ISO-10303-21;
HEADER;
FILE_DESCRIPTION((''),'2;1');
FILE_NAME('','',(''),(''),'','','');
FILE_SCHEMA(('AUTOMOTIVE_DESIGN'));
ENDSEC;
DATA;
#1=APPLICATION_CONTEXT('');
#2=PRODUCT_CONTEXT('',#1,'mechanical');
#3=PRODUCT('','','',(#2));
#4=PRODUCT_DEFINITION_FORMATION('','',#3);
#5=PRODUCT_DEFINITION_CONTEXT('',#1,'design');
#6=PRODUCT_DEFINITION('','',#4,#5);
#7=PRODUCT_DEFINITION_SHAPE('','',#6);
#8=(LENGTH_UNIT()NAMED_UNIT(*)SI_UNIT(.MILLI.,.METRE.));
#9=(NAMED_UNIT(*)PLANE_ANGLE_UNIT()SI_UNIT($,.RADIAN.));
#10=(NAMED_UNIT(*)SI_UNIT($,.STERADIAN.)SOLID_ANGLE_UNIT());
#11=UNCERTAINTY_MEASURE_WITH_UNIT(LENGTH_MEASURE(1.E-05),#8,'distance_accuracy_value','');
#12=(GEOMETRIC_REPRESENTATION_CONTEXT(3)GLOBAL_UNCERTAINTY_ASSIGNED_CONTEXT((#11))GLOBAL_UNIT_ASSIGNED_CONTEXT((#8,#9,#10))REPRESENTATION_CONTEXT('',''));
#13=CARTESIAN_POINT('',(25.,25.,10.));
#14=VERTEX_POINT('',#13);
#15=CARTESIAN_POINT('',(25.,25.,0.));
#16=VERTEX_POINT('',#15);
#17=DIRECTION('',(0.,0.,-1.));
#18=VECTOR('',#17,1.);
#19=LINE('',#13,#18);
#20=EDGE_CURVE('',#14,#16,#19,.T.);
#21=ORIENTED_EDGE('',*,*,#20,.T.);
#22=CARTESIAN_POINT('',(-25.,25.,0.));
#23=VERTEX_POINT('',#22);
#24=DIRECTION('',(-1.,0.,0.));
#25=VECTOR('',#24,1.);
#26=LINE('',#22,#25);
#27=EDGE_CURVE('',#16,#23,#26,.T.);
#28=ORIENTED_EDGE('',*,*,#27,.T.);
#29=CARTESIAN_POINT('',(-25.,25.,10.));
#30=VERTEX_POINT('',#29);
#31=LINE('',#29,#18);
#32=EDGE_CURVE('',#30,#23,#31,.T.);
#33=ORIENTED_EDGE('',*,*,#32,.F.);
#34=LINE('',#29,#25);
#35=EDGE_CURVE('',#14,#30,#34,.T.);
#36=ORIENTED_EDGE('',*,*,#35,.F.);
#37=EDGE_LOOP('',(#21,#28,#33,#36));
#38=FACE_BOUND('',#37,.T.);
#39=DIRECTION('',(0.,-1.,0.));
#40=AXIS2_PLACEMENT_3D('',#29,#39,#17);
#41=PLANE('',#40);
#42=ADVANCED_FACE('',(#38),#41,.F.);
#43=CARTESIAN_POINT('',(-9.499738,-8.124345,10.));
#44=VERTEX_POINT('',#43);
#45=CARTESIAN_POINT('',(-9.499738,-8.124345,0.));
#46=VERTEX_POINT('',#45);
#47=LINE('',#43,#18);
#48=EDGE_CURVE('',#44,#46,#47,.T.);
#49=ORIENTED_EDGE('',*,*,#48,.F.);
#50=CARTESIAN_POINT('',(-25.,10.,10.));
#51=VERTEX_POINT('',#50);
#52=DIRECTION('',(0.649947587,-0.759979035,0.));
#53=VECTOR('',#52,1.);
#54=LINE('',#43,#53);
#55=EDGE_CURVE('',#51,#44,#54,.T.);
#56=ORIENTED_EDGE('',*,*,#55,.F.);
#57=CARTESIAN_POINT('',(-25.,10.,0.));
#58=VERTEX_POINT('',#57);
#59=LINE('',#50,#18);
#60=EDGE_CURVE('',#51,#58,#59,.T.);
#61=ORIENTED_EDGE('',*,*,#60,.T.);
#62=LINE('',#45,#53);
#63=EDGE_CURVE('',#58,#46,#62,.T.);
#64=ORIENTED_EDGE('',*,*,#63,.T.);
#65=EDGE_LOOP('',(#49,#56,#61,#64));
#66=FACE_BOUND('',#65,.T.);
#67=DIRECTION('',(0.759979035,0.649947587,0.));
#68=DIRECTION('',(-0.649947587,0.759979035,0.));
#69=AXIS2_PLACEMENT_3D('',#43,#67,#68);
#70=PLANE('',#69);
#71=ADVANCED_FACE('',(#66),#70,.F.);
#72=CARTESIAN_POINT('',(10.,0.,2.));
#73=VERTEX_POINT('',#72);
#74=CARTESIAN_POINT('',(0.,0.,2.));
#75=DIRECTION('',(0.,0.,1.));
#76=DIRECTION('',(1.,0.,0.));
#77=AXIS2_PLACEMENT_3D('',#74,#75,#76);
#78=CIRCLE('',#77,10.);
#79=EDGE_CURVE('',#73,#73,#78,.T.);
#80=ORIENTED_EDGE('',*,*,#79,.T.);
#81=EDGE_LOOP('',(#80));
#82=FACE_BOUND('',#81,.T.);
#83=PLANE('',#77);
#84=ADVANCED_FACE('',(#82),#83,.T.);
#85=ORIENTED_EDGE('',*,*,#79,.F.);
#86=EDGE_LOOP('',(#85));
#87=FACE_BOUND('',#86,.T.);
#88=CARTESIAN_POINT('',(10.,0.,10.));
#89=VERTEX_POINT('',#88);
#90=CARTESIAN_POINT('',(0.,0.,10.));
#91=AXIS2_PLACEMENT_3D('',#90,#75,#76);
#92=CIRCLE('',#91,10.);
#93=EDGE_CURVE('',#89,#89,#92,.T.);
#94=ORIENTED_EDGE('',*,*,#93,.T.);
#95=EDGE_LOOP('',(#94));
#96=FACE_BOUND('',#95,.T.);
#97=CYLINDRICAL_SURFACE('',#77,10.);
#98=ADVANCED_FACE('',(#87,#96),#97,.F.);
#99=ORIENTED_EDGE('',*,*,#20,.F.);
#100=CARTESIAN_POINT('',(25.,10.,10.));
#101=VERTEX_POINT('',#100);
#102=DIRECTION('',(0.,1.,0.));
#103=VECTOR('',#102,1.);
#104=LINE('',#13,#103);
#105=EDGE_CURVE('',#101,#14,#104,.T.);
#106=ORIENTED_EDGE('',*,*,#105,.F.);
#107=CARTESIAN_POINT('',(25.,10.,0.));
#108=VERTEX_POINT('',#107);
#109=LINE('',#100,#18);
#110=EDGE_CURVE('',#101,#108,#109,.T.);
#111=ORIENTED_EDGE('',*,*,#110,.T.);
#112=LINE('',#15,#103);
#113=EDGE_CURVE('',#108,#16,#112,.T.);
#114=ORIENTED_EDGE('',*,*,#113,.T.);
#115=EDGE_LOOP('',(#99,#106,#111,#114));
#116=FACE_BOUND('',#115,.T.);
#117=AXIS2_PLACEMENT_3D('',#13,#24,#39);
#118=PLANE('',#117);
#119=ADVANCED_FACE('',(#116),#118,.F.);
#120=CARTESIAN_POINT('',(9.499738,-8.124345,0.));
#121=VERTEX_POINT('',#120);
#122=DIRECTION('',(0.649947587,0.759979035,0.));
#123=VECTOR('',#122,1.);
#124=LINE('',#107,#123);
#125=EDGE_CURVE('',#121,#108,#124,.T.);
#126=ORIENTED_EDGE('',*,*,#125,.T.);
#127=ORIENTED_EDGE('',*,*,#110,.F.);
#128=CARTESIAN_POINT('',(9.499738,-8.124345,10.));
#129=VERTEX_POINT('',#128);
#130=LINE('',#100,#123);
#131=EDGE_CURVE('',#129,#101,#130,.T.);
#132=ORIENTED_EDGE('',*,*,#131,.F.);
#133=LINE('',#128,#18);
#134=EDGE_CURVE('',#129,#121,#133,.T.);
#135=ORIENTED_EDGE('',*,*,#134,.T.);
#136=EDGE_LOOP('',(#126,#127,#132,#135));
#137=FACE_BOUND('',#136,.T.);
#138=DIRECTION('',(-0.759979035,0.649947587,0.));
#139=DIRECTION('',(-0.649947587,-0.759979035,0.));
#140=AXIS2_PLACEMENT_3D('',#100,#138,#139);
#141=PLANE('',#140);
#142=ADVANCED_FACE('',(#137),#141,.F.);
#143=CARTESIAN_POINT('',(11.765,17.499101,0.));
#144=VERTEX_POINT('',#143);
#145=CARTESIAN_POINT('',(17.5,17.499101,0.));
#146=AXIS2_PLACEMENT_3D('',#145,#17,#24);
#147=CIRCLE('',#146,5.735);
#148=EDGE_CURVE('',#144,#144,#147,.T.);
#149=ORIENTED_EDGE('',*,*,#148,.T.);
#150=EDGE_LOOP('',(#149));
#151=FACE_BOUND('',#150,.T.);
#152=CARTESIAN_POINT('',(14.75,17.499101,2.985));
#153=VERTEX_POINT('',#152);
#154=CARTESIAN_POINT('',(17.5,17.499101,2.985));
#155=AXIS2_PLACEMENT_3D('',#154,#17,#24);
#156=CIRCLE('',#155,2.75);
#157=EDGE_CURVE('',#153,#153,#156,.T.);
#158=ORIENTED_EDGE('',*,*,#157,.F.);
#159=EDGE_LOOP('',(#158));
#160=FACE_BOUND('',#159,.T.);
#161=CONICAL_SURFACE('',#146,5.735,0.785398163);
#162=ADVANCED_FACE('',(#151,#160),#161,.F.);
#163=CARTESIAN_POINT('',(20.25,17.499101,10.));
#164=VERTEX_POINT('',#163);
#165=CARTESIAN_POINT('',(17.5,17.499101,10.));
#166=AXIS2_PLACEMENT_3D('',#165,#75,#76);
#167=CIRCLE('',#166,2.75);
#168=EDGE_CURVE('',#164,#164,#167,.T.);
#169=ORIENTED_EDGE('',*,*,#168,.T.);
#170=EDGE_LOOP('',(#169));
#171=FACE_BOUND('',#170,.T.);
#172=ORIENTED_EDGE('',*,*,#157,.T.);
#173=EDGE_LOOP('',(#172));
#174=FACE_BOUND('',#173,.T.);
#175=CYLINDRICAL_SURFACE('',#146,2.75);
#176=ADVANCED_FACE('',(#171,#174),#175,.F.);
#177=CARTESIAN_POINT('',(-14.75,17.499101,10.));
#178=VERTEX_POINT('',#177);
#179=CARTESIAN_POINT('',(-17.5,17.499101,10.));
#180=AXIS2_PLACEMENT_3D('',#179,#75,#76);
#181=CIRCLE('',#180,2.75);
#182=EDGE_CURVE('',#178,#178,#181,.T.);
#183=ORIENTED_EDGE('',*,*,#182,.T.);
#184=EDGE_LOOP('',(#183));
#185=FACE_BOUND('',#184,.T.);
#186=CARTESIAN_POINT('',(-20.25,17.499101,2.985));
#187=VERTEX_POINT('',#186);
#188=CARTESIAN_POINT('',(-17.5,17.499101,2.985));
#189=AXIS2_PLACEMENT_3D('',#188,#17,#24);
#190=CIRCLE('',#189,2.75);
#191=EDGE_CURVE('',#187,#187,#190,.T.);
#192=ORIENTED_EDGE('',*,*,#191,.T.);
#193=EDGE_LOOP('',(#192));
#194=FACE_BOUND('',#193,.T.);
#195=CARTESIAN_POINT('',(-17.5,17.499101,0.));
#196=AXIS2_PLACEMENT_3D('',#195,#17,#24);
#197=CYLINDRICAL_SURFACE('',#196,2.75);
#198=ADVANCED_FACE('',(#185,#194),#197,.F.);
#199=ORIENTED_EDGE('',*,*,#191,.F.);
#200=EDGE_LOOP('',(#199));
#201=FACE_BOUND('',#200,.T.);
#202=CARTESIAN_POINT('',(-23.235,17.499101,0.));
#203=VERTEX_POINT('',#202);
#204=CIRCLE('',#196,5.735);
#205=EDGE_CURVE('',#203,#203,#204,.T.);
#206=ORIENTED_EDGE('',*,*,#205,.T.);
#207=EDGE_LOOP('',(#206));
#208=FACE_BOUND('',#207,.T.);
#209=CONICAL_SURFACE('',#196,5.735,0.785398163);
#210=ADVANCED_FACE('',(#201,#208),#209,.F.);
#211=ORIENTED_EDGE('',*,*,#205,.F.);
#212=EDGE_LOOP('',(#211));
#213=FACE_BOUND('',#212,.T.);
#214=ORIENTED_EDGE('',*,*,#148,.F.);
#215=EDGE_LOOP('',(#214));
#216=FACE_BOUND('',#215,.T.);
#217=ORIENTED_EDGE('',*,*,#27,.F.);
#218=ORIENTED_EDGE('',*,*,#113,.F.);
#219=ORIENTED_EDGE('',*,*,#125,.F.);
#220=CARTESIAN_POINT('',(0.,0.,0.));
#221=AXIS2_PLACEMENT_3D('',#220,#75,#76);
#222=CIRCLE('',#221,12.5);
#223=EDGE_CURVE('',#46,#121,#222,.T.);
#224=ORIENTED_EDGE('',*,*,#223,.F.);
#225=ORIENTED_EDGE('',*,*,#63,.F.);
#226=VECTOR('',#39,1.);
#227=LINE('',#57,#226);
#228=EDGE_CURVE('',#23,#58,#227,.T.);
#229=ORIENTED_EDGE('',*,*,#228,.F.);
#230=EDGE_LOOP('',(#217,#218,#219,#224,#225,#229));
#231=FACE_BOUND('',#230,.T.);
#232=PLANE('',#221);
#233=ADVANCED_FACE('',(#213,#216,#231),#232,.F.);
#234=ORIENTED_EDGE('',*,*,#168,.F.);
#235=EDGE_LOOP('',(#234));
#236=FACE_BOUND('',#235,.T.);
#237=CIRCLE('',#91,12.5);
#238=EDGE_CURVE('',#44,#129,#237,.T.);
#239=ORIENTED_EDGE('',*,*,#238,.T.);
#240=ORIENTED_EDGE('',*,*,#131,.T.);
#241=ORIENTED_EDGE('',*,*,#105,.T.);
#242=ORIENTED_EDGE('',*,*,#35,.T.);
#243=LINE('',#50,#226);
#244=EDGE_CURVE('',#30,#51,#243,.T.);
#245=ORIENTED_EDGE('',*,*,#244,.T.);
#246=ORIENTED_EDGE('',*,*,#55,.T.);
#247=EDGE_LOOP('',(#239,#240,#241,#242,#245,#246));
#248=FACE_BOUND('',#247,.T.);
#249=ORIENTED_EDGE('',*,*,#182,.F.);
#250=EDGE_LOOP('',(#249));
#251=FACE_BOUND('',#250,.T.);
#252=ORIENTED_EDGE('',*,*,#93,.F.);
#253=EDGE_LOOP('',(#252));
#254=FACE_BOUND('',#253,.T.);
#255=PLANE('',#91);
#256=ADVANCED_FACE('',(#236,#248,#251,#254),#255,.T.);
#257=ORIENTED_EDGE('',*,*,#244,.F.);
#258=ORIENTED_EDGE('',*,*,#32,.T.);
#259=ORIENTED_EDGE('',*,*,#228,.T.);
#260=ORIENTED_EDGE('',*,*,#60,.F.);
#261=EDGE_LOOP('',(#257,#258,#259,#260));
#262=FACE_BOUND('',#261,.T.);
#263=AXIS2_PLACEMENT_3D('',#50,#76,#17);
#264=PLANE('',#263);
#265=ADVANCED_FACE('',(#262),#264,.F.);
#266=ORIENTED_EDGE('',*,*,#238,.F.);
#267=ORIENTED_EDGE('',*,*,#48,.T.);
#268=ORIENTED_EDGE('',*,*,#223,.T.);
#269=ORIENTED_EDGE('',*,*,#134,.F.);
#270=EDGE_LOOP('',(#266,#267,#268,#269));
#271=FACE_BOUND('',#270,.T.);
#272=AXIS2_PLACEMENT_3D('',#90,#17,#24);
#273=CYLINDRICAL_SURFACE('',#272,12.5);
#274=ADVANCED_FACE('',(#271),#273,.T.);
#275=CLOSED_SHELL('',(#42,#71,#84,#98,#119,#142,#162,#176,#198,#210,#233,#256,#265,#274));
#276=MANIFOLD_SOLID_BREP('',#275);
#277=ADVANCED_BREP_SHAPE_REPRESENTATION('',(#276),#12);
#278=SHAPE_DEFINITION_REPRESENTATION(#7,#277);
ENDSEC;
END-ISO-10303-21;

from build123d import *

# Parameters (mm, degrees)
AUFSATZ_LINEAR_AUSTRAGEN1_DEPTH                      = 10
SKIZZE2_R                                            = 10
SCHNITT_LINEAR_AUSTRAGEN1_DEPTH                      = 8
FORMSENKUNG_F_R_M5_SENKSCHRAUBE_MIT_INNE_D           = 5.5
FORMSENKUNG_F_R_M5_SENKSCHRAUBE_MIT_INNE_DEPTH       = 10
FORMSENKUNG_F_R_M5_SENKSCHRAUBE_MIT_INNE_CSINK_D     = 11.47
FORMSENKUNG_F_R_M5_SENKSCHRAUBE_MIT_INNE_CSINK_ANGLE = 90


with BuildPart() as part:
    # Skizze1 → Aufsatz-Linear austragen1 (new body)
    with BuildSketch(Plane.XY):
        with BuildLine():
            Line((-9.499737937, -8.124344843), (-25, 10))
            Line((-25, 10), (-25, 25))
            Line((-25, 25), (25, 25))
            Line((25, 25), (25, 10))
            Line((25, 10), (9.499737937, -8.124344843))
            ThreePointArc((9.499737937, -8.124344843), (0, -12.5), (-9.499737937, -8.124344843))
        make_face()
    extrude(amount=AUFSATZ_LINEAR_AUSTRAGEN1_DEPTH)

    # Skizze2 → Schnitt-Linear austragen1 (cut)
    with BuildSketch(Plane.XY.offset(10)):
        Circle(SKIZZE2_R)
    extrude(amount=-SCHNITT_LINEAR_AUSTRAGEN1_DEPTH, mode=Mode.SUBTRACT)

    # Formsenkung für M5 Senkschraube mit Innensechskant1
    with Locations(Plane(origin=(0, 0, 0), x_dir=(-1, 0, 0), z_dir=(0, 0, -1))):
        with Locations((-17.5, 17.499100788), (17.5, 17.499100788)):
            CounterSinkHole(FORMSENKUNG_F_R_M5_SENKSCHRAUBE_MIT_INNE_D / 2, FORMSENKUNG_F_R_M5_SENKSCHRAUBE_MIT_INNE_CSINK_D / 2, depth=FORMSENKUNG_F_R_M5_SENKSCHRAUBE_MIT_INNE_DEPTH, counter_sink_angle=FORMSENKUNG_F_R_M5_SENKSCHRAUBE_MIT_INNE_CSINK_ANGLE)


solid = part.part
